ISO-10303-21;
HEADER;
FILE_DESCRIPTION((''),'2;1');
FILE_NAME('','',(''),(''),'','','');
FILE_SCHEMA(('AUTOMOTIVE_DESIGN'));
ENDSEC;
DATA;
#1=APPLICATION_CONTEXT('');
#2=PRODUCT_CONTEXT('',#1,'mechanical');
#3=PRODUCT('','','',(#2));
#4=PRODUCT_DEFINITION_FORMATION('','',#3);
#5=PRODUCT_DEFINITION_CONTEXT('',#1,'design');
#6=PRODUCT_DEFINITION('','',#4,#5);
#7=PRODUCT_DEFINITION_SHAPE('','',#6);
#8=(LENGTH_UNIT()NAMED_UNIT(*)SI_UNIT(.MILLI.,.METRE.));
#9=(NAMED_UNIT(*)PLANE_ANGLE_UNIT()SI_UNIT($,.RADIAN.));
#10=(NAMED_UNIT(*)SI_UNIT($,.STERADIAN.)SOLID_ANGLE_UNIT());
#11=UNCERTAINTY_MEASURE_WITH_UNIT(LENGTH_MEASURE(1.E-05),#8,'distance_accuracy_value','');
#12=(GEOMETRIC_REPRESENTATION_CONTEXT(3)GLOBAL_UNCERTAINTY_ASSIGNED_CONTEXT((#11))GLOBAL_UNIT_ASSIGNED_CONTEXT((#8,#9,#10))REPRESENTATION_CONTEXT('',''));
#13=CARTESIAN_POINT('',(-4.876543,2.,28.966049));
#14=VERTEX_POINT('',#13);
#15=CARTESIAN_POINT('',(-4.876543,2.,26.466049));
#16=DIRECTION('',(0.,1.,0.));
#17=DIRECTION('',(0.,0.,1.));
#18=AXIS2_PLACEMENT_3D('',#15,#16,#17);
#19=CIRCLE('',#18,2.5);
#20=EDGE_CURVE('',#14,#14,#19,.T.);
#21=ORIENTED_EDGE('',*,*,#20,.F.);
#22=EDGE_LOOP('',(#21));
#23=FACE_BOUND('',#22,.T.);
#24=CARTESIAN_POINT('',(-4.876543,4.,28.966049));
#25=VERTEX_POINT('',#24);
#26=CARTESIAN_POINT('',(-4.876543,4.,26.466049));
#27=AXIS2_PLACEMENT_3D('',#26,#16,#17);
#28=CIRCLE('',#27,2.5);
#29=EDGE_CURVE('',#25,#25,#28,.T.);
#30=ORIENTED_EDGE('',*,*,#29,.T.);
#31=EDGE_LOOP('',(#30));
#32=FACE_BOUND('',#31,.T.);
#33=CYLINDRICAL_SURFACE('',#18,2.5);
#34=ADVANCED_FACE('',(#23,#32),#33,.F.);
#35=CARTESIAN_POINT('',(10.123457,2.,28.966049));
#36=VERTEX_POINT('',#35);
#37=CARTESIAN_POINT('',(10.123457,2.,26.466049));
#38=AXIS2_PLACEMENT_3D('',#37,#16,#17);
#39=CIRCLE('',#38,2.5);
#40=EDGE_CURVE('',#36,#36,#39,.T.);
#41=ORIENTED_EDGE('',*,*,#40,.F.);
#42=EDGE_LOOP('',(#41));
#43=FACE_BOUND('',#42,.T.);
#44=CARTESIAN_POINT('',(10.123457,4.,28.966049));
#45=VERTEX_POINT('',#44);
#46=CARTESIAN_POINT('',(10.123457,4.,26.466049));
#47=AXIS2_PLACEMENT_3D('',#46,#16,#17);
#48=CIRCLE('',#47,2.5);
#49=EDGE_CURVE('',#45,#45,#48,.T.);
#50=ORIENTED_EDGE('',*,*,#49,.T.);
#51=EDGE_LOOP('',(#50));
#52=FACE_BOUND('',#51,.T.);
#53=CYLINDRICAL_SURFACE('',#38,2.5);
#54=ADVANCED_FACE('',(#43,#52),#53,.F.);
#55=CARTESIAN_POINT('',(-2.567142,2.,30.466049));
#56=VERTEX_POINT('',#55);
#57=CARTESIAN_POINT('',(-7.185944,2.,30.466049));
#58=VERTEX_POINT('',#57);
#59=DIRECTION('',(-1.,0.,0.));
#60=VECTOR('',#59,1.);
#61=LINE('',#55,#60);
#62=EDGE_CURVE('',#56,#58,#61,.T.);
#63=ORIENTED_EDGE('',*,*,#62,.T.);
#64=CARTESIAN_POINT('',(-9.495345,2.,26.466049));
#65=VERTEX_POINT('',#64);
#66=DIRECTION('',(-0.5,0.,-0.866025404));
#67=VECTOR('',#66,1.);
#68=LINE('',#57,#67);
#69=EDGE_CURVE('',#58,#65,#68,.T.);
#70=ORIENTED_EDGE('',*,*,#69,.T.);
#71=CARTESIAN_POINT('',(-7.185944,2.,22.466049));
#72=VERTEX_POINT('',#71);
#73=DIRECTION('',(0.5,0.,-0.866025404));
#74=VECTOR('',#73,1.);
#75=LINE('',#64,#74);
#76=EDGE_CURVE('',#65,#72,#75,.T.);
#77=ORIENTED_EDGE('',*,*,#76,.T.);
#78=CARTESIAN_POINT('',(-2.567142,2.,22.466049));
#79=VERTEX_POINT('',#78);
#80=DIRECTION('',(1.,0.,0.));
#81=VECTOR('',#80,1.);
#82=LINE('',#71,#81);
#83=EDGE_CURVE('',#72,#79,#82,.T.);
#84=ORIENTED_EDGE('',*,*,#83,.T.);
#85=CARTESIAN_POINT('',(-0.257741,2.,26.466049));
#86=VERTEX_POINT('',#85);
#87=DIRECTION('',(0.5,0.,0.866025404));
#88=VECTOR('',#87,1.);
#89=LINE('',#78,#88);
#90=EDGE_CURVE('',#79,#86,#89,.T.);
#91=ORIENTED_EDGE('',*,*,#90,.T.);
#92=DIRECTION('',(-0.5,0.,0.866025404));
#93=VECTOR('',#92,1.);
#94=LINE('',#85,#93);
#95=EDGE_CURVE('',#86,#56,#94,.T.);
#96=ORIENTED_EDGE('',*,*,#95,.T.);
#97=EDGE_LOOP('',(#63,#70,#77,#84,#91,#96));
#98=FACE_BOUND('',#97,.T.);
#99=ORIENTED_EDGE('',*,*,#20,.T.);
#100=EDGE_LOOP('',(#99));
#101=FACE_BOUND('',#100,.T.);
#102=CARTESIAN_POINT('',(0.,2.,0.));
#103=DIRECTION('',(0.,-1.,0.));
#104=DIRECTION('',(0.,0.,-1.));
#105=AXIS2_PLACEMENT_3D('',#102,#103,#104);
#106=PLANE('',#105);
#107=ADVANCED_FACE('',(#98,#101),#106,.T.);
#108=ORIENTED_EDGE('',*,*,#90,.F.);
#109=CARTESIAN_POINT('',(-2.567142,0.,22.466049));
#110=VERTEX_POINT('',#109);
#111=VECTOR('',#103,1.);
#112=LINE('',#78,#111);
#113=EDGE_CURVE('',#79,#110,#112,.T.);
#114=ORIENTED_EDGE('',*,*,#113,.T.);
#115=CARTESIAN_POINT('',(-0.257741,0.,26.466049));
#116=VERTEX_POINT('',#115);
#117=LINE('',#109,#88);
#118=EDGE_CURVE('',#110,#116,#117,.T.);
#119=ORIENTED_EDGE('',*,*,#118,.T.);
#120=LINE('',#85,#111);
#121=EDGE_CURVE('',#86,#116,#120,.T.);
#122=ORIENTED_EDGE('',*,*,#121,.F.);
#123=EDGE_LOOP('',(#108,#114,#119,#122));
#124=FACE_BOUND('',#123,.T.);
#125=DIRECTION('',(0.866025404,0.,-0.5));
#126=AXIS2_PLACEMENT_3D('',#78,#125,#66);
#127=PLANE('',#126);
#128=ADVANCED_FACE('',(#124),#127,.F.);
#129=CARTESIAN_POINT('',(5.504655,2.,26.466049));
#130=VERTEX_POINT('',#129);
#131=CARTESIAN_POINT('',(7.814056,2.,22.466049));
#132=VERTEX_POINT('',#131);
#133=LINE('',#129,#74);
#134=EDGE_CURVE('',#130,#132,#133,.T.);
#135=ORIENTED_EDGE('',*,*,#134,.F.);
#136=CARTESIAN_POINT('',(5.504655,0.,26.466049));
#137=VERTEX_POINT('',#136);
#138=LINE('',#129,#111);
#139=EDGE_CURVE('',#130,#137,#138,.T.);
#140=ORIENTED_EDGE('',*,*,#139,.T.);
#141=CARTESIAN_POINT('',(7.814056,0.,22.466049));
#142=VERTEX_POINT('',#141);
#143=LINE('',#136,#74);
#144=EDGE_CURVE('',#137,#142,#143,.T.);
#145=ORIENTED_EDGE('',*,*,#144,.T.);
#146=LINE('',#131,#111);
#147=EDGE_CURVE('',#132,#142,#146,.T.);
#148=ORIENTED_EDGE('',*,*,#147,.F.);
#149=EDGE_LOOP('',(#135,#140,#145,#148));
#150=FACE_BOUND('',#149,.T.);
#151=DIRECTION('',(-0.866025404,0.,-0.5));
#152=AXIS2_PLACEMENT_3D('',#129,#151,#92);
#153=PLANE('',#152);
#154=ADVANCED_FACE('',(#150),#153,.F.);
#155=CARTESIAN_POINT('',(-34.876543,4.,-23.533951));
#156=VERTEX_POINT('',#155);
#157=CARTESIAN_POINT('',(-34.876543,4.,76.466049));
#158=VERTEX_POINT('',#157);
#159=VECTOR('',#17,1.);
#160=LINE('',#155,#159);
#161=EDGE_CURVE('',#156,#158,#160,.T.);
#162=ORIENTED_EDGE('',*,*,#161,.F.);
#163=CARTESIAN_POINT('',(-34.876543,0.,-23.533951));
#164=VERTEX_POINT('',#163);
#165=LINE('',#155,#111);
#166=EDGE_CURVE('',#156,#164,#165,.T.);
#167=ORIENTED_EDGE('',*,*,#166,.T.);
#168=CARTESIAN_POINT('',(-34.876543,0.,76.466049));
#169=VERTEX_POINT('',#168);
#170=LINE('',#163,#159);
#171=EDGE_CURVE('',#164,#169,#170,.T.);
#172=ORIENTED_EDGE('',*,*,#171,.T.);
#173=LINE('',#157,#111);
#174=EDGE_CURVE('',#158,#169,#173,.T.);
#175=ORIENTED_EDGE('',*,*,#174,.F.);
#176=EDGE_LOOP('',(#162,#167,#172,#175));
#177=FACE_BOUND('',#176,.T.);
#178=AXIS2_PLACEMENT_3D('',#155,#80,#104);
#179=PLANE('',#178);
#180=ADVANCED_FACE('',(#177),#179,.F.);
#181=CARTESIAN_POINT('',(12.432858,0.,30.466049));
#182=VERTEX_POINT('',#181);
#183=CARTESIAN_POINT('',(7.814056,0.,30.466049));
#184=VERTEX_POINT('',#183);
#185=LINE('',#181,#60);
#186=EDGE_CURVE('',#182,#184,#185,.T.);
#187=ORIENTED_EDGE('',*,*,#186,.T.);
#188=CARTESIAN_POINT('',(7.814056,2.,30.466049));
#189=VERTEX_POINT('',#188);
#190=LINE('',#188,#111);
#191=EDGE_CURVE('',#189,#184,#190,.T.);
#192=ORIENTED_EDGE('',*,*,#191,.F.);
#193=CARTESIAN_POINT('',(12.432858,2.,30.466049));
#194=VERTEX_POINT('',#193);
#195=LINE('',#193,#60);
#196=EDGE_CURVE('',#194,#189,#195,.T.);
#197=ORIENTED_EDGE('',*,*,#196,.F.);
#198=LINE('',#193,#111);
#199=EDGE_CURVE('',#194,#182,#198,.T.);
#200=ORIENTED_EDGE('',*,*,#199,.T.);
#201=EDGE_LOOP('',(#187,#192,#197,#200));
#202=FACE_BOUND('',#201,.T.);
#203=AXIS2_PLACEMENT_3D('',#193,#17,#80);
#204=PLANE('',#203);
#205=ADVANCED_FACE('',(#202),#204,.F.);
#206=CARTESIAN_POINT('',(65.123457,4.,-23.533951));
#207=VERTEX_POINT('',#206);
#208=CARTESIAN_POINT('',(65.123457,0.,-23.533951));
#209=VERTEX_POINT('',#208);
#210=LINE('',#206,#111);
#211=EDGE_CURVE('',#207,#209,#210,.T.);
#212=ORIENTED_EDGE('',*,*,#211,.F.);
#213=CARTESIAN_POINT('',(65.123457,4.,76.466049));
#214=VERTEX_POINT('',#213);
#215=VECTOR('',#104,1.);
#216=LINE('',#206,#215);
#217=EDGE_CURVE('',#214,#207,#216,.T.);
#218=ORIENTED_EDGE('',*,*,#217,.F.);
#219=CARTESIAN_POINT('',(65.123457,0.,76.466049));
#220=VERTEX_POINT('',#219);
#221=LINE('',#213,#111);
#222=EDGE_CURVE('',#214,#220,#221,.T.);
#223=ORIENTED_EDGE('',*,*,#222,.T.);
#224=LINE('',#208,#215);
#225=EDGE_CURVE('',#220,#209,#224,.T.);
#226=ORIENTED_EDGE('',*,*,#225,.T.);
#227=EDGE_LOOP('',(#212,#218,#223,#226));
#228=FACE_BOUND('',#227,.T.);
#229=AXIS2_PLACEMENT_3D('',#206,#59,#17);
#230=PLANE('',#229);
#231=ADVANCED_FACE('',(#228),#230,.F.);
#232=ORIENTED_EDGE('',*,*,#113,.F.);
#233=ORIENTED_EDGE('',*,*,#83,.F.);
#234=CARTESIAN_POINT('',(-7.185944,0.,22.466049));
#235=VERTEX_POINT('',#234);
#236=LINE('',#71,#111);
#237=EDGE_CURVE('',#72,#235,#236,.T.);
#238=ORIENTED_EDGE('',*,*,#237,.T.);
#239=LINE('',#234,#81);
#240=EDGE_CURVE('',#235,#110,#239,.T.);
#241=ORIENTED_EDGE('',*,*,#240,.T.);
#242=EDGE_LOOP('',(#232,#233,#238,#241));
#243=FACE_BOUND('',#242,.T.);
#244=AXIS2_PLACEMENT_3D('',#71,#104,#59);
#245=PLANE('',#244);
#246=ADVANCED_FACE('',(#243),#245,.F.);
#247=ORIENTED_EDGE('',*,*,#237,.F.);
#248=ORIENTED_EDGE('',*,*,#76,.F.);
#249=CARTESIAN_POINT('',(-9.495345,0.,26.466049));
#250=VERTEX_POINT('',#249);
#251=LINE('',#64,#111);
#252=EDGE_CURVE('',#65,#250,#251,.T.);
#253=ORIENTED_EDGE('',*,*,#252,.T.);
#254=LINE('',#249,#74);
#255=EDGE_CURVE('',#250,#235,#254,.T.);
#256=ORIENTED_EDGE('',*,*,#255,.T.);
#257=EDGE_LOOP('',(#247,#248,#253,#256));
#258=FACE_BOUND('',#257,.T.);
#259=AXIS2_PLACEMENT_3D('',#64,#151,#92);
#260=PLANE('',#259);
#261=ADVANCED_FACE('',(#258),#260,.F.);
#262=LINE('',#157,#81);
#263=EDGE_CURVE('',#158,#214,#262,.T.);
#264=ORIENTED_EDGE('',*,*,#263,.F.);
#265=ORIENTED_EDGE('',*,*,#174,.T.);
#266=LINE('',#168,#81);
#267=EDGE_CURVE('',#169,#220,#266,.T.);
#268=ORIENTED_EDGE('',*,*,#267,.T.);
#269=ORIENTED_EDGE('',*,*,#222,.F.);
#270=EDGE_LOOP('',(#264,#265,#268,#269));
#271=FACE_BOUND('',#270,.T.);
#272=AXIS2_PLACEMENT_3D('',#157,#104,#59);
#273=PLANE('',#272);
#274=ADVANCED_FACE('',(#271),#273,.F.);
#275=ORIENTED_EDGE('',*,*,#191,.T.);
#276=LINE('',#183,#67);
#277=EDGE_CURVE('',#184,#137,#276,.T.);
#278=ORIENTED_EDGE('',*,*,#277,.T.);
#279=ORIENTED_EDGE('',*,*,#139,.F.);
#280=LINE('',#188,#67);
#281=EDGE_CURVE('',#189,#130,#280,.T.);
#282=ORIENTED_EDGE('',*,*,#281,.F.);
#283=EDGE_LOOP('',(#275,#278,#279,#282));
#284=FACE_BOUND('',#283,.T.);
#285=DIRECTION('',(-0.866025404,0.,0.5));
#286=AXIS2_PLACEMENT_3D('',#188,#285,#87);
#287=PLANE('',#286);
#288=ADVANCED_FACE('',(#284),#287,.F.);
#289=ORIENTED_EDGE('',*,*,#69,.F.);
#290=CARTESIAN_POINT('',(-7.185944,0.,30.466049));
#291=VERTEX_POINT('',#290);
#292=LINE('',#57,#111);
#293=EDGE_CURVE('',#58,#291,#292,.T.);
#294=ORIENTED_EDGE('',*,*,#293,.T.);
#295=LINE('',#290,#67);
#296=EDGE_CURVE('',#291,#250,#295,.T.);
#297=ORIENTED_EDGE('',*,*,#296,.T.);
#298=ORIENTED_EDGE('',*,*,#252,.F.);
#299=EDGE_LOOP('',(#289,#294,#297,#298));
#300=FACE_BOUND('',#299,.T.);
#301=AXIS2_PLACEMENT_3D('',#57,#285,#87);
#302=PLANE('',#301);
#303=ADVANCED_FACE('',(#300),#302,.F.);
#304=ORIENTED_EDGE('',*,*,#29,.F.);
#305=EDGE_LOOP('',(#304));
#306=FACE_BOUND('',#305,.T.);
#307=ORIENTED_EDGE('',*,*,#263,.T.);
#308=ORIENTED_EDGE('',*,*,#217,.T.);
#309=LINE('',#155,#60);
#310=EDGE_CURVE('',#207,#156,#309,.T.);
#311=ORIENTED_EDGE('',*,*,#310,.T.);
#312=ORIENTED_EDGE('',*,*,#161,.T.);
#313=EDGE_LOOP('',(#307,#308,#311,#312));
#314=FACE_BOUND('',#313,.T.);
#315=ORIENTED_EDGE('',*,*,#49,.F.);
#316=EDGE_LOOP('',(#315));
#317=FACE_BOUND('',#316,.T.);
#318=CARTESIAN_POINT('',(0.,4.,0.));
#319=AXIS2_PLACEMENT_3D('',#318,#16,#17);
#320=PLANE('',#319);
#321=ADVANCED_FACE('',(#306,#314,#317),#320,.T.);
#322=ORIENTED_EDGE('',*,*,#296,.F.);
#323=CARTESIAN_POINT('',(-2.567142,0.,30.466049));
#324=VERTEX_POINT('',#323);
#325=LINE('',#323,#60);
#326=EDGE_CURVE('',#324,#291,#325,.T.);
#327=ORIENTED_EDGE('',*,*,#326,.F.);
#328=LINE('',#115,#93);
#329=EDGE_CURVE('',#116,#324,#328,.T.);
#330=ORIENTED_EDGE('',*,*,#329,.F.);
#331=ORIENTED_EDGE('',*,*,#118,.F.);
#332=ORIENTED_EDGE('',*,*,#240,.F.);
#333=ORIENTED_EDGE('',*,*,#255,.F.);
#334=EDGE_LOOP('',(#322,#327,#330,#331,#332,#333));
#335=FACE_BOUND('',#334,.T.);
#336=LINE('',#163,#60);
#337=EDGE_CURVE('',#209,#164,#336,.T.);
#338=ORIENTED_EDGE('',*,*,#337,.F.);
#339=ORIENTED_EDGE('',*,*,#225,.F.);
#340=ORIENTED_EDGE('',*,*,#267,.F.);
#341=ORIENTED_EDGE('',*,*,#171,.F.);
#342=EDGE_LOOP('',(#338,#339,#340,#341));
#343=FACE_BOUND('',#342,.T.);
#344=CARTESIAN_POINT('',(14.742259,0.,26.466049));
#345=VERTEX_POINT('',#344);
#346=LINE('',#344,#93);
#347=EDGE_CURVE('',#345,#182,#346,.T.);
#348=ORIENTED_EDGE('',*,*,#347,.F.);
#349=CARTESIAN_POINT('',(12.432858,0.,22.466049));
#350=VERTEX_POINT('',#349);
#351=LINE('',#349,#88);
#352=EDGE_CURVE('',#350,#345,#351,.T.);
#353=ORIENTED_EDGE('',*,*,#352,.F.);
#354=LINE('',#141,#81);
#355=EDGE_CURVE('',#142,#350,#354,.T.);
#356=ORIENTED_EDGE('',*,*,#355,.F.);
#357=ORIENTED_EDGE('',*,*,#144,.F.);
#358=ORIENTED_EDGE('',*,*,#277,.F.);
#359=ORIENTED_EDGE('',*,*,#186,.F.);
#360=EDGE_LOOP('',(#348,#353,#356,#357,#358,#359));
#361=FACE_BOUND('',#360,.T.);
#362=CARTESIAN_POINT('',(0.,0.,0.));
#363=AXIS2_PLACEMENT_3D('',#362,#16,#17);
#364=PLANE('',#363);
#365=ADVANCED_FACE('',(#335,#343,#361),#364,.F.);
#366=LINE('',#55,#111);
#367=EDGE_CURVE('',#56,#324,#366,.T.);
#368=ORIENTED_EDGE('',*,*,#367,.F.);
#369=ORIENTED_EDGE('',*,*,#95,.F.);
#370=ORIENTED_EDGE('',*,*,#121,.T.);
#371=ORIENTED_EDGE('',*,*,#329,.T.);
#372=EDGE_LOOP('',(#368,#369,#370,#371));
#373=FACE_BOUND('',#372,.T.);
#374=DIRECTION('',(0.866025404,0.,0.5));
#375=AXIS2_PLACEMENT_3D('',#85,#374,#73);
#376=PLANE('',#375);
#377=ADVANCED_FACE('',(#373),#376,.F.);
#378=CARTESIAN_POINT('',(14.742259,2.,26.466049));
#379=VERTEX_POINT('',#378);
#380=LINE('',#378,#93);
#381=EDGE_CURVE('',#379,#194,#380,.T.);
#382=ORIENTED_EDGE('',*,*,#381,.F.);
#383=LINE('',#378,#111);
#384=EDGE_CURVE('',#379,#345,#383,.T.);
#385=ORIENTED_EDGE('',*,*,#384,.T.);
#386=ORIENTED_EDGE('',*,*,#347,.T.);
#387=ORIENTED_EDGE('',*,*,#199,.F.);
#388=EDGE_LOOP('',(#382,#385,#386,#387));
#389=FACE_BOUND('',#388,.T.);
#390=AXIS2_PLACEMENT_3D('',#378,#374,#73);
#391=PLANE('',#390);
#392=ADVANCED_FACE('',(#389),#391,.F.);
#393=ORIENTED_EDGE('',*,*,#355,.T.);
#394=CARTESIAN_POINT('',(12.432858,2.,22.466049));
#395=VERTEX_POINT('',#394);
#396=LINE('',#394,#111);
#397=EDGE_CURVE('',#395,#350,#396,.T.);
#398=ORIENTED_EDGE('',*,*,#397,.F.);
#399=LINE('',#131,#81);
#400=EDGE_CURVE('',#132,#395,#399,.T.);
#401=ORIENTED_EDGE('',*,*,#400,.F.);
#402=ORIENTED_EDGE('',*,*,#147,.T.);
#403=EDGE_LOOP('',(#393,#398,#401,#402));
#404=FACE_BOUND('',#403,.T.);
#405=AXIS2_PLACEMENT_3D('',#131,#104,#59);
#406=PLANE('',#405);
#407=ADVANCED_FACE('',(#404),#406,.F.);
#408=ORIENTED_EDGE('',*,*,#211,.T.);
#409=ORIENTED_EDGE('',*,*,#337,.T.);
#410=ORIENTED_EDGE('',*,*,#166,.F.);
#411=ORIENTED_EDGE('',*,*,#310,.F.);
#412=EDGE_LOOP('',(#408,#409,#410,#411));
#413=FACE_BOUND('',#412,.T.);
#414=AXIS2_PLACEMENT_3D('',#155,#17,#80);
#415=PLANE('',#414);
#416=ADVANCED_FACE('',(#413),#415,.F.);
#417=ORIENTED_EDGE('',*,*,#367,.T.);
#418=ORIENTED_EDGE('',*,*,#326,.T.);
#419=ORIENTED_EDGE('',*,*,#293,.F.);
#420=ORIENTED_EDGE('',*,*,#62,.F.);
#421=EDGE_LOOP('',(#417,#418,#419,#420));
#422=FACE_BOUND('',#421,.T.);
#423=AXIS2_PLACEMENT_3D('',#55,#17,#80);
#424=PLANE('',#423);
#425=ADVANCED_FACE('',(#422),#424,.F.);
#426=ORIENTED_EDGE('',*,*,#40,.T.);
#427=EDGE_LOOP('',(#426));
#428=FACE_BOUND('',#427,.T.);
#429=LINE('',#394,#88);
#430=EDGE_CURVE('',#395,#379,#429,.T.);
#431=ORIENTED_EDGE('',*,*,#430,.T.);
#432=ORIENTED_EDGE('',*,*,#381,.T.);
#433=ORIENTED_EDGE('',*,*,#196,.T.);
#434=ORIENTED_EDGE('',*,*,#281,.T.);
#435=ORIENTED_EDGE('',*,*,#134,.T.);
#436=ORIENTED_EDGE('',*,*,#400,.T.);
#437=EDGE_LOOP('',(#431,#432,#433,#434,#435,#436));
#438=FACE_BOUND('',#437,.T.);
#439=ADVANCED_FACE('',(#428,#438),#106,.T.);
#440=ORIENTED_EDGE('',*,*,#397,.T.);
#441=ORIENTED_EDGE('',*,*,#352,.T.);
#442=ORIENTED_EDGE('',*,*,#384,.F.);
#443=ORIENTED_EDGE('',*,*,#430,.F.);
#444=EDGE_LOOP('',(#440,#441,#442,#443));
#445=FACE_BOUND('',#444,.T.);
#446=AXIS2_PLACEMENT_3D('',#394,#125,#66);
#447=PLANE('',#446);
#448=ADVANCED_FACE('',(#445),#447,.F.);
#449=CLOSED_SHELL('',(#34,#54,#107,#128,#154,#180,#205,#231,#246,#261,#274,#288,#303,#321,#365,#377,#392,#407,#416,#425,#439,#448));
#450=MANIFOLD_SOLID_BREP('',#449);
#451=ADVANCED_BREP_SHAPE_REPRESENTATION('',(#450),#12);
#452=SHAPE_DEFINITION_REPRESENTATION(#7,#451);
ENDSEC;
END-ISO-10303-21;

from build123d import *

# Parameters (mm, degrees)
SKETCH1_W           = 100
SKETCH1_H           = 100
BOSS_EXTRUDE1_DEPTH = 4
SKETCH3_R           = 2.5
CUT_EXTRUDE1_DEPTH  = 2
CUT_EXTRUDE2_DEPTH  = 2


with BuildPart() as part:
    # Sketch1 → Boss-Extrude1 (new body)
    with BuildSketch(Plane(origin=(0, 0, 0), x_dir=(1, 0, 0), z_dir=(0, 1, 0))):
        with Locations((15.12345679, -26.466049383)):
            Rectangle(SKETCH1_W, SKETCH1_H)
    extrude(amount=BOSS_EXTRUDE1_DEPTH)

    # Sketch3 → Cut-Extrude1 (cut)
    with BuildSketch(Plane(origin=(0, 4, 0), x_dir=(1, 0, 0), z_dir=(0, 1, 0))):
        with Locations((-4.87654321, -26.466049383)):
            Circle(SKETCH3_R)
        with Locations((10.12345679, -26.466049383)):
            Circle(SKETCH3_R)
    extrude(amount=-CUT_EXTRUDE1_DEPTH, mode=Mode.SUBTRACT)

    # Sketch5 → Cut-Extrude2 (cut)
    with BuildSketch(Plane.XZ):
        Polygon((-0.257741056, 26.466049383), (-2.567142133, 30.466049383), (-7.185944287, 30.466049383), (-9.495345363, 26.466049383), (-7.185944287, 22.466049383), (-2.567142133, 22.466049383), align=None)
        Polygon((14.742258944, 26.466049383), (12.432857867, 30.466049383), (7.814055713, 30.466049383), (5.504654637, 26.466049383), (7.814055713, 22.466049383), (12.432857867, 22.466049383), align=None)
    extrude(amount=-CUT_EXTRUDE2_DEPTH, mode=Mode.SUBTRACT)


solid = part.part
